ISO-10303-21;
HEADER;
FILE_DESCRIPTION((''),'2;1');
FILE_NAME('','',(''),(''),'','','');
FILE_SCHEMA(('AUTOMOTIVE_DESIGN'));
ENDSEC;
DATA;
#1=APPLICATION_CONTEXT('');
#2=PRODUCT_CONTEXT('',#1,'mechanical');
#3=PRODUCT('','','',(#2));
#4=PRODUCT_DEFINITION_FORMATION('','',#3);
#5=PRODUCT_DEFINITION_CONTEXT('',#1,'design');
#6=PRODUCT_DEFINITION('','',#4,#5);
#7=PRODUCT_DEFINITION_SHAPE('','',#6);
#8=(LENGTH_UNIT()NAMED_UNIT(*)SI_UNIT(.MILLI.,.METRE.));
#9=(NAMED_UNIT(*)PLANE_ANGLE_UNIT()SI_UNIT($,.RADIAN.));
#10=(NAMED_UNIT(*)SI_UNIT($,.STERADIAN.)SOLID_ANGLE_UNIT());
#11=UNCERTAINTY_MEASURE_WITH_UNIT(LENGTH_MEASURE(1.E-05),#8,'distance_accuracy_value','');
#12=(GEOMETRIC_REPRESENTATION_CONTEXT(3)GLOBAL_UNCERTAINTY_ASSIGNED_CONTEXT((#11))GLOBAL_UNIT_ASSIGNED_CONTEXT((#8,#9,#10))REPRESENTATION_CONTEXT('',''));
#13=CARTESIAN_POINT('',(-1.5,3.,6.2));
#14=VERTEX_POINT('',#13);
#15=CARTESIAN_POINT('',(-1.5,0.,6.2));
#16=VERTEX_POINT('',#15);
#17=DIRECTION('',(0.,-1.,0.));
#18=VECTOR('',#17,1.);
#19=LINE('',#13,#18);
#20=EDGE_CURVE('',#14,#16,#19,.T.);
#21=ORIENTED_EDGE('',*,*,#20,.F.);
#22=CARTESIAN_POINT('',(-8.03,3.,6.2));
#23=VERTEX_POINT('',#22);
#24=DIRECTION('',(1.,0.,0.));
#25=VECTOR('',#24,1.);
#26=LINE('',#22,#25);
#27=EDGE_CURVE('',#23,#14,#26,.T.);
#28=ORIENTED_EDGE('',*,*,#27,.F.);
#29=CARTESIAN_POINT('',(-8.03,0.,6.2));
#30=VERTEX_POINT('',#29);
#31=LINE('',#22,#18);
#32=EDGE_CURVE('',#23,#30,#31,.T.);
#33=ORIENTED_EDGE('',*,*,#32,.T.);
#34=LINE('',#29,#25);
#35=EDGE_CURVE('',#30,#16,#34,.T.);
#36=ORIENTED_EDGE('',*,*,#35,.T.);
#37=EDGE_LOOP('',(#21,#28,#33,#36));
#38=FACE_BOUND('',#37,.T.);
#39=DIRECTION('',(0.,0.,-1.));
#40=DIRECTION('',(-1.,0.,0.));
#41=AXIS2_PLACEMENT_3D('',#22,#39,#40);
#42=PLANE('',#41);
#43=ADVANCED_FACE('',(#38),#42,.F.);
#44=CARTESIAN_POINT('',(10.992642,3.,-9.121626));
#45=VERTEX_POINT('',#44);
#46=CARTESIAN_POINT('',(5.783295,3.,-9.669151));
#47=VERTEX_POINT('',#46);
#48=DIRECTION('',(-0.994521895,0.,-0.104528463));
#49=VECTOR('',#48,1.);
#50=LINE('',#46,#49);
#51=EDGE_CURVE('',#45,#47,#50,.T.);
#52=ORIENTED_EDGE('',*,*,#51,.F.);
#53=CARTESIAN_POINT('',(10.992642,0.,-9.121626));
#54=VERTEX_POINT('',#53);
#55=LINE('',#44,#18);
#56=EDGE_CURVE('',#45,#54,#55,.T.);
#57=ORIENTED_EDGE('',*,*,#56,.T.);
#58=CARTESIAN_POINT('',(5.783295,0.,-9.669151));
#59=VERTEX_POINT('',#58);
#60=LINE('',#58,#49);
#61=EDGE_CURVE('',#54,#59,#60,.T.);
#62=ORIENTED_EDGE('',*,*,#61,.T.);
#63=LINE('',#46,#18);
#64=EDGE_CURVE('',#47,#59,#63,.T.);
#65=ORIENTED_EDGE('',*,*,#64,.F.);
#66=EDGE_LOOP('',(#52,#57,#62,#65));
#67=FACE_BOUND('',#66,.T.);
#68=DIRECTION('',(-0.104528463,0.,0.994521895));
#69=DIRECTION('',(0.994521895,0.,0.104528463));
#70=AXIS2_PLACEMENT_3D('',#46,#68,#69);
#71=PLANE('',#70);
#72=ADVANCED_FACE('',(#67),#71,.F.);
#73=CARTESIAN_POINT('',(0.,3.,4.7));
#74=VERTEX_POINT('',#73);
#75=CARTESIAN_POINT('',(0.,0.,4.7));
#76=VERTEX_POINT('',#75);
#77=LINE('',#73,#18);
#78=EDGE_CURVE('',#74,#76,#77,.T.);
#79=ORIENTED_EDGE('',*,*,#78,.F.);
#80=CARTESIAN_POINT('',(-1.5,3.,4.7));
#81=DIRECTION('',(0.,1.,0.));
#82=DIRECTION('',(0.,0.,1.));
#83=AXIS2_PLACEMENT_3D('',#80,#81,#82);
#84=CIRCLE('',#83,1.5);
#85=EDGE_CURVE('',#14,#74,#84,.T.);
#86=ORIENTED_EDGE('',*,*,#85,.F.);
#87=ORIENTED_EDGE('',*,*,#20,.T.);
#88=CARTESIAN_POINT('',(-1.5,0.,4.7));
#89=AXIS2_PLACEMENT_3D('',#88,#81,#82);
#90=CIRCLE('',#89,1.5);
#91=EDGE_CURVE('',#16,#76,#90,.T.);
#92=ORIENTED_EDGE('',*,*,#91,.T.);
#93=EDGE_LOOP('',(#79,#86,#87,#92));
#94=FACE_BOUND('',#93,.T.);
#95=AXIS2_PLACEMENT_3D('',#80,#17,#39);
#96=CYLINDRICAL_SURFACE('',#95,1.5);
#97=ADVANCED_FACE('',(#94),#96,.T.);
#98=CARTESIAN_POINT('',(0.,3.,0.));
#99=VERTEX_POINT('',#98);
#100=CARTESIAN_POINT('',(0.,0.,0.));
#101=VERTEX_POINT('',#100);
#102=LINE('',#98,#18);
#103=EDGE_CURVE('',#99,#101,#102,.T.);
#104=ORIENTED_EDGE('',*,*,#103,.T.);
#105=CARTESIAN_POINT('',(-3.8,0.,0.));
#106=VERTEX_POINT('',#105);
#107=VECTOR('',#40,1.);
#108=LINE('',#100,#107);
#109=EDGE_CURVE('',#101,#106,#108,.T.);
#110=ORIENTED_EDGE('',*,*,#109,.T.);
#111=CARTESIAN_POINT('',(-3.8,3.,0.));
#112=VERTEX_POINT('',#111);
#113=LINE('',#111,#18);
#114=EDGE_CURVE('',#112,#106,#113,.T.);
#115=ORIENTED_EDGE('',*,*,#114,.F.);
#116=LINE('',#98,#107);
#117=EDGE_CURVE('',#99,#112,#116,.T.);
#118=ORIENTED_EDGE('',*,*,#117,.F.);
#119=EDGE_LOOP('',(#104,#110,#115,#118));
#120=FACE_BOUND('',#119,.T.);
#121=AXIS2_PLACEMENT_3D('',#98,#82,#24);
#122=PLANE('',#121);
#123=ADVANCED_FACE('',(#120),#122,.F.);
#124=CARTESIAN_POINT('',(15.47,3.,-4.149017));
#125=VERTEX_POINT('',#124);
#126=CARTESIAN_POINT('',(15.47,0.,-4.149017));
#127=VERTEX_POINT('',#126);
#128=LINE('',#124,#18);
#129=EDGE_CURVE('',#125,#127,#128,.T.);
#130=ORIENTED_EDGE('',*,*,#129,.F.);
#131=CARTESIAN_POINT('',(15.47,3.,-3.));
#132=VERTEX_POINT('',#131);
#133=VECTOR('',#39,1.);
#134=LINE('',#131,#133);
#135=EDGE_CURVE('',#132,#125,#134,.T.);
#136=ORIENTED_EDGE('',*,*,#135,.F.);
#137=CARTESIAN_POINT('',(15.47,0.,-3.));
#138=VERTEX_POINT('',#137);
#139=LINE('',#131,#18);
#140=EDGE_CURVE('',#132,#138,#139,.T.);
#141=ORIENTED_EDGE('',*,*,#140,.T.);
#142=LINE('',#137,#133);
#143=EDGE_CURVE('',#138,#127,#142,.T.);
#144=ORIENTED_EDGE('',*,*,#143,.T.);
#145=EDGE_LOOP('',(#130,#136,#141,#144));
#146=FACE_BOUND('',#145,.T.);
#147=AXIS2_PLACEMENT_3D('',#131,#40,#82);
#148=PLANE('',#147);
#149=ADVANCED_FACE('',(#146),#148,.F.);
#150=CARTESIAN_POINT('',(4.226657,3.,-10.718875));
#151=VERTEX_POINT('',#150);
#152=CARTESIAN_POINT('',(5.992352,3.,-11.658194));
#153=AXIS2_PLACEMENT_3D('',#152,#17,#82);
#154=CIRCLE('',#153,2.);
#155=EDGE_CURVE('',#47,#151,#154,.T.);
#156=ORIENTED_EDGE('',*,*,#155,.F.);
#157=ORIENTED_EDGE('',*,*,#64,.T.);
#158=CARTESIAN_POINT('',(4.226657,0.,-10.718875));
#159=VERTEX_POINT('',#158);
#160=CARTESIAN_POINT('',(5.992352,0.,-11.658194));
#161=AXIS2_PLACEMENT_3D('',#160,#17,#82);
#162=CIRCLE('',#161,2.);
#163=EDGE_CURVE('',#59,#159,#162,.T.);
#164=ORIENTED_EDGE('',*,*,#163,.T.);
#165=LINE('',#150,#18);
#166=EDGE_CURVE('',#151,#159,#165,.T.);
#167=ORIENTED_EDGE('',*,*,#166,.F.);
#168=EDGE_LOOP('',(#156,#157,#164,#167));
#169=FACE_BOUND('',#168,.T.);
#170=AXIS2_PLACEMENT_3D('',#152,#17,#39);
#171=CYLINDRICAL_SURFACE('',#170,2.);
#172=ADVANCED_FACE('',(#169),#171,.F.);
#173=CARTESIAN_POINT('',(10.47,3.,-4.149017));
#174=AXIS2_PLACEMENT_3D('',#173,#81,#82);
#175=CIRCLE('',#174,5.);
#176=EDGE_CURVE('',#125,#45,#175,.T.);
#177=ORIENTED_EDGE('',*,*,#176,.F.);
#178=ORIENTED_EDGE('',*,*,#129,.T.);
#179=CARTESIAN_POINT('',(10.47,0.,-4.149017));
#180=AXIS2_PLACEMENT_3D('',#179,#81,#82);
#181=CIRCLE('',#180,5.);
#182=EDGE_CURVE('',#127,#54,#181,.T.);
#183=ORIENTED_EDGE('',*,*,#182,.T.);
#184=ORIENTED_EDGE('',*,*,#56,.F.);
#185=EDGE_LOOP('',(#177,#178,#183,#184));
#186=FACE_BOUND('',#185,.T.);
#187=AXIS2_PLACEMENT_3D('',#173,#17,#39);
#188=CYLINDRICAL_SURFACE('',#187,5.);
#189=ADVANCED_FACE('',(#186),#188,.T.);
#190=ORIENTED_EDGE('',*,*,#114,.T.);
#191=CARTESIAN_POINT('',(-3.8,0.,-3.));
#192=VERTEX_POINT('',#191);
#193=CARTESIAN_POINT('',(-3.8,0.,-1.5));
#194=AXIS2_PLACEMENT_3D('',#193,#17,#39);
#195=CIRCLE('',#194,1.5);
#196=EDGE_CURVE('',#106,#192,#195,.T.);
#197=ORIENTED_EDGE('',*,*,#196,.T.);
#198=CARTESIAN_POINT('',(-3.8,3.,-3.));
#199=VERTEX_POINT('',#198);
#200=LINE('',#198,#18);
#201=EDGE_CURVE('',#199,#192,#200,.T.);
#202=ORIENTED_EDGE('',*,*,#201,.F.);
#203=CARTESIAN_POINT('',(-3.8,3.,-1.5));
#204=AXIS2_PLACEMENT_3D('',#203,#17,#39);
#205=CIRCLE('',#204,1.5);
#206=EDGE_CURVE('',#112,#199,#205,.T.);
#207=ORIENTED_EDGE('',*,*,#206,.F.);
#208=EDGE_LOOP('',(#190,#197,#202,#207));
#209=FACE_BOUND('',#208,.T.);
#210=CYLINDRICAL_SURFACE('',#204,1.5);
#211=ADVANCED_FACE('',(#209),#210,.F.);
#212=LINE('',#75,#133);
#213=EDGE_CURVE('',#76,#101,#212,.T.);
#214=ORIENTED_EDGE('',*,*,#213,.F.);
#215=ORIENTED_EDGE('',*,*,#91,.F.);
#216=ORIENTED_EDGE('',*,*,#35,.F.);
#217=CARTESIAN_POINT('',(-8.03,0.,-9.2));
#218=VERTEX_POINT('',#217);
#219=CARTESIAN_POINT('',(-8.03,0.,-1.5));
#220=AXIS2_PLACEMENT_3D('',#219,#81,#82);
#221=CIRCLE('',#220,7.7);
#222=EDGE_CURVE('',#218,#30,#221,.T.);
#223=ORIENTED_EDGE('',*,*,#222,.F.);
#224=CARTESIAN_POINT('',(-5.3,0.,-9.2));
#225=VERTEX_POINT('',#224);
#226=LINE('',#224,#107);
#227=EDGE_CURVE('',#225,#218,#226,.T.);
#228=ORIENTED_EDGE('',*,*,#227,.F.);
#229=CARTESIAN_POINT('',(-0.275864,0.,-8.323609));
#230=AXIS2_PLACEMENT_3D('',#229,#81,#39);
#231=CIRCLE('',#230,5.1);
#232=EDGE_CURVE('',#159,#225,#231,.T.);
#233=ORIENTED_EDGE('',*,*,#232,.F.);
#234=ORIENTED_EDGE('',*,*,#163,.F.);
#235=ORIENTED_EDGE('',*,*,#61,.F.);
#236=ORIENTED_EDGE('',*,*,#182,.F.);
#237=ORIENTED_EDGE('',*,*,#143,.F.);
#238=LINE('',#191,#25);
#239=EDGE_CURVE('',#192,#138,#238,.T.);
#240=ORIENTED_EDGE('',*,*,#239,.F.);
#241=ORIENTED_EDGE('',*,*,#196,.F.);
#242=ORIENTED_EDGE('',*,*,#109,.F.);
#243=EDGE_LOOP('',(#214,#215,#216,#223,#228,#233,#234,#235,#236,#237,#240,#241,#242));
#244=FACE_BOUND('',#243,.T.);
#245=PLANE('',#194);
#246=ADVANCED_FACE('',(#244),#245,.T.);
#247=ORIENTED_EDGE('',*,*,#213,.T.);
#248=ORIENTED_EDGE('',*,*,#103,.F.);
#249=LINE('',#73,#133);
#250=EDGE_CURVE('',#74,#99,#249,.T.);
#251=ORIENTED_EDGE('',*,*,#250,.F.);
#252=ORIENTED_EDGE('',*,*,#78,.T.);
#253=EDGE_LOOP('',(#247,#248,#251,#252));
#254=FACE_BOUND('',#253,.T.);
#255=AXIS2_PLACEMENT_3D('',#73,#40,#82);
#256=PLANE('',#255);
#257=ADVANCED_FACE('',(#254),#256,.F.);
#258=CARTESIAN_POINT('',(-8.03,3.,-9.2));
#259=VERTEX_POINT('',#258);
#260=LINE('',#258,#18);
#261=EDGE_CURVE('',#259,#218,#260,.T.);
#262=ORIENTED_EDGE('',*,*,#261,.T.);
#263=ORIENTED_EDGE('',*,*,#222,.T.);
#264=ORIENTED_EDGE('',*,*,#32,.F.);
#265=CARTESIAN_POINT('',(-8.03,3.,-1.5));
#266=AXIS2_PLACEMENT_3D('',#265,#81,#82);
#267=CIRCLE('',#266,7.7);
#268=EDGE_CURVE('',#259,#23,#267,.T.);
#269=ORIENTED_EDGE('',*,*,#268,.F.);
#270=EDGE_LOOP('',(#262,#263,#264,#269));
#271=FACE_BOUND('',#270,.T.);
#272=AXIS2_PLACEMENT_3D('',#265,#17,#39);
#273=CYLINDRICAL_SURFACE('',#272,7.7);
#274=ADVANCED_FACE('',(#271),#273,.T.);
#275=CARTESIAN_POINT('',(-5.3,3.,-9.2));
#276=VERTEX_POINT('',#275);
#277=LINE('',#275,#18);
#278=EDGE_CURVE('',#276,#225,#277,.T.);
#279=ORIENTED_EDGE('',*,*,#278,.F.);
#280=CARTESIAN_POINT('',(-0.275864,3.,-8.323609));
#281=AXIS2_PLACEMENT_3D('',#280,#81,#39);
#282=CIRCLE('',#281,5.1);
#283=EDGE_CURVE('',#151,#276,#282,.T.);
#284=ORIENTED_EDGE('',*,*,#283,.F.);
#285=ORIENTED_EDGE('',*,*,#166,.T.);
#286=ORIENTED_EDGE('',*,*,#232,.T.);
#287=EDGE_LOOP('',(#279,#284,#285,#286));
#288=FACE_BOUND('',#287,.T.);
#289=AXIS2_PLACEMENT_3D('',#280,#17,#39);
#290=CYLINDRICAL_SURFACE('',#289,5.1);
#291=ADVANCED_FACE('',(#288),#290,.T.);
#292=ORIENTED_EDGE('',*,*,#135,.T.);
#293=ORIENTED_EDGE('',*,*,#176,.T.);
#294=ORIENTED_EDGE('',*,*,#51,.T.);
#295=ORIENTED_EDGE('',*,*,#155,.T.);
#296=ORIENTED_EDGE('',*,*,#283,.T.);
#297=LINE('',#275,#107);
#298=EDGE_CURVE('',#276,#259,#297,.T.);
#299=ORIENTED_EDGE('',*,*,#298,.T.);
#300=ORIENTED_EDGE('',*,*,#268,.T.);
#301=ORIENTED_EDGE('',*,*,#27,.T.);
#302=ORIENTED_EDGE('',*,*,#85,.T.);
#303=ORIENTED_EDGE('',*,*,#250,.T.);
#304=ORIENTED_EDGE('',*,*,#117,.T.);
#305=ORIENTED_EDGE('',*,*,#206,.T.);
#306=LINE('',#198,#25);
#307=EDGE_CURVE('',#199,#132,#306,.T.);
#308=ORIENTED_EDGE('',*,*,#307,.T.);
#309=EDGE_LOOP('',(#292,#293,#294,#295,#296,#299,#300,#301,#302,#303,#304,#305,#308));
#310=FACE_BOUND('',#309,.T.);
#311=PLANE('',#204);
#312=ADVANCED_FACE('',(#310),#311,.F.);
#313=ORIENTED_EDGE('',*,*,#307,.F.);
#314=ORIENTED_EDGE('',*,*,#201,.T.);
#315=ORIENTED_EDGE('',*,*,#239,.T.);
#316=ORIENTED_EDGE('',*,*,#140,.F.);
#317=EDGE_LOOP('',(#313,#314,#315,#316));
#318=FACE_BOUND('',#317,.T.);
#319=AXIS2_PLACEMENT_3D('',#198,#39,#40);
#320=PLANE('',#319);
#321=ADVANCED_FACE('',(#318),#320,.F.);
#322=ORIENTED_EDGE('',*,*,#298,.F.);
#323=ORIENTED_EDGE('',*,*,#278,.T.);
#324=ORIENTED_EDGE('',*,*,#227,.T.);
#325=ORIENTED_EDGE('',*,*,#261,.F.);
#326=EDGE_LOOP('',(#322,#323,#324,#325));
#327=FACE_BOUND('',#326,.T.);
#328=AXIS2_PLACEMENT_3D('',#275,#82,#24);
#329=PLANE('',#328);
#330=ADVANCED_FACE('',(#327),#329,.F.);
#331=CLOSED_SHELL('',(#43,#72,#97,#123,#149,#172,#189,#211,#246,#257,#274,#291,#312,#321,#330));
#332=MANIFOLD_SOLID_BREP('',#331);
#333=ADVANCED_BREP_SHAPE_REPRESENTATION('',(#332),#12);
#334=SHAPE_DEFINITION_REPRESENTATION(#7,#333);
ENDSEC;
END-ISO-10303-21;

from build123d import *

# Parameters (mm, degrees)
BOSS_EXTRUDE2_DEPTH = 3


with BuildPart() as part:
    # Sketch1 → Boss-Extrude2 (new body)
    with BuildSketch(Plane(origin=(0, 0, 0), x_dir=(1, 0, 0), z_dir=(0, 1, 0))):
        with BuildLine():
            Line((0, 0), (-3.8, 0))
            ThreePointArc((-3.8, 0), (-5.3, 1.5), (-3.8, 3))
            Line((-3.8, 3), (15.47, 3))
            Line((15.47, 3), (15.47, 4.149016738))
            ThreePointArc((15.47, 4.149016738), (14.185724127, 7.49466977), (10.992642316, 9.121626215))
            Line((10.992642316, 9.121626215), (5.783295319, 9.669150648))
            ThreePointArc((5.783295319, 9.669150648), (4.874143319, 10), (4.226657422, 10.718874584))
            ThreePointArc((4.226657422, 10.718874584), (-1.078837134, 13.36), (-5.3, 9.2))
            Line((-5.3, 9.2), (-8.03, 9.2))
            ThreePointArc((-8.03, 9.2), (-15.73, 1.5), (-8.03, -6.2))
            Line((-8.03, -6.2), (-1.5, -6.2))
            ThreePointArc((-1.5, -6.2), (-0.439339828, -5.760660172), (0, -4.7))
            Line((0, -4.7), (0, 0))
        make_face()
    extrude(amount=BOSS_EXTRUDE2_DEPTH)


solid = part.part
